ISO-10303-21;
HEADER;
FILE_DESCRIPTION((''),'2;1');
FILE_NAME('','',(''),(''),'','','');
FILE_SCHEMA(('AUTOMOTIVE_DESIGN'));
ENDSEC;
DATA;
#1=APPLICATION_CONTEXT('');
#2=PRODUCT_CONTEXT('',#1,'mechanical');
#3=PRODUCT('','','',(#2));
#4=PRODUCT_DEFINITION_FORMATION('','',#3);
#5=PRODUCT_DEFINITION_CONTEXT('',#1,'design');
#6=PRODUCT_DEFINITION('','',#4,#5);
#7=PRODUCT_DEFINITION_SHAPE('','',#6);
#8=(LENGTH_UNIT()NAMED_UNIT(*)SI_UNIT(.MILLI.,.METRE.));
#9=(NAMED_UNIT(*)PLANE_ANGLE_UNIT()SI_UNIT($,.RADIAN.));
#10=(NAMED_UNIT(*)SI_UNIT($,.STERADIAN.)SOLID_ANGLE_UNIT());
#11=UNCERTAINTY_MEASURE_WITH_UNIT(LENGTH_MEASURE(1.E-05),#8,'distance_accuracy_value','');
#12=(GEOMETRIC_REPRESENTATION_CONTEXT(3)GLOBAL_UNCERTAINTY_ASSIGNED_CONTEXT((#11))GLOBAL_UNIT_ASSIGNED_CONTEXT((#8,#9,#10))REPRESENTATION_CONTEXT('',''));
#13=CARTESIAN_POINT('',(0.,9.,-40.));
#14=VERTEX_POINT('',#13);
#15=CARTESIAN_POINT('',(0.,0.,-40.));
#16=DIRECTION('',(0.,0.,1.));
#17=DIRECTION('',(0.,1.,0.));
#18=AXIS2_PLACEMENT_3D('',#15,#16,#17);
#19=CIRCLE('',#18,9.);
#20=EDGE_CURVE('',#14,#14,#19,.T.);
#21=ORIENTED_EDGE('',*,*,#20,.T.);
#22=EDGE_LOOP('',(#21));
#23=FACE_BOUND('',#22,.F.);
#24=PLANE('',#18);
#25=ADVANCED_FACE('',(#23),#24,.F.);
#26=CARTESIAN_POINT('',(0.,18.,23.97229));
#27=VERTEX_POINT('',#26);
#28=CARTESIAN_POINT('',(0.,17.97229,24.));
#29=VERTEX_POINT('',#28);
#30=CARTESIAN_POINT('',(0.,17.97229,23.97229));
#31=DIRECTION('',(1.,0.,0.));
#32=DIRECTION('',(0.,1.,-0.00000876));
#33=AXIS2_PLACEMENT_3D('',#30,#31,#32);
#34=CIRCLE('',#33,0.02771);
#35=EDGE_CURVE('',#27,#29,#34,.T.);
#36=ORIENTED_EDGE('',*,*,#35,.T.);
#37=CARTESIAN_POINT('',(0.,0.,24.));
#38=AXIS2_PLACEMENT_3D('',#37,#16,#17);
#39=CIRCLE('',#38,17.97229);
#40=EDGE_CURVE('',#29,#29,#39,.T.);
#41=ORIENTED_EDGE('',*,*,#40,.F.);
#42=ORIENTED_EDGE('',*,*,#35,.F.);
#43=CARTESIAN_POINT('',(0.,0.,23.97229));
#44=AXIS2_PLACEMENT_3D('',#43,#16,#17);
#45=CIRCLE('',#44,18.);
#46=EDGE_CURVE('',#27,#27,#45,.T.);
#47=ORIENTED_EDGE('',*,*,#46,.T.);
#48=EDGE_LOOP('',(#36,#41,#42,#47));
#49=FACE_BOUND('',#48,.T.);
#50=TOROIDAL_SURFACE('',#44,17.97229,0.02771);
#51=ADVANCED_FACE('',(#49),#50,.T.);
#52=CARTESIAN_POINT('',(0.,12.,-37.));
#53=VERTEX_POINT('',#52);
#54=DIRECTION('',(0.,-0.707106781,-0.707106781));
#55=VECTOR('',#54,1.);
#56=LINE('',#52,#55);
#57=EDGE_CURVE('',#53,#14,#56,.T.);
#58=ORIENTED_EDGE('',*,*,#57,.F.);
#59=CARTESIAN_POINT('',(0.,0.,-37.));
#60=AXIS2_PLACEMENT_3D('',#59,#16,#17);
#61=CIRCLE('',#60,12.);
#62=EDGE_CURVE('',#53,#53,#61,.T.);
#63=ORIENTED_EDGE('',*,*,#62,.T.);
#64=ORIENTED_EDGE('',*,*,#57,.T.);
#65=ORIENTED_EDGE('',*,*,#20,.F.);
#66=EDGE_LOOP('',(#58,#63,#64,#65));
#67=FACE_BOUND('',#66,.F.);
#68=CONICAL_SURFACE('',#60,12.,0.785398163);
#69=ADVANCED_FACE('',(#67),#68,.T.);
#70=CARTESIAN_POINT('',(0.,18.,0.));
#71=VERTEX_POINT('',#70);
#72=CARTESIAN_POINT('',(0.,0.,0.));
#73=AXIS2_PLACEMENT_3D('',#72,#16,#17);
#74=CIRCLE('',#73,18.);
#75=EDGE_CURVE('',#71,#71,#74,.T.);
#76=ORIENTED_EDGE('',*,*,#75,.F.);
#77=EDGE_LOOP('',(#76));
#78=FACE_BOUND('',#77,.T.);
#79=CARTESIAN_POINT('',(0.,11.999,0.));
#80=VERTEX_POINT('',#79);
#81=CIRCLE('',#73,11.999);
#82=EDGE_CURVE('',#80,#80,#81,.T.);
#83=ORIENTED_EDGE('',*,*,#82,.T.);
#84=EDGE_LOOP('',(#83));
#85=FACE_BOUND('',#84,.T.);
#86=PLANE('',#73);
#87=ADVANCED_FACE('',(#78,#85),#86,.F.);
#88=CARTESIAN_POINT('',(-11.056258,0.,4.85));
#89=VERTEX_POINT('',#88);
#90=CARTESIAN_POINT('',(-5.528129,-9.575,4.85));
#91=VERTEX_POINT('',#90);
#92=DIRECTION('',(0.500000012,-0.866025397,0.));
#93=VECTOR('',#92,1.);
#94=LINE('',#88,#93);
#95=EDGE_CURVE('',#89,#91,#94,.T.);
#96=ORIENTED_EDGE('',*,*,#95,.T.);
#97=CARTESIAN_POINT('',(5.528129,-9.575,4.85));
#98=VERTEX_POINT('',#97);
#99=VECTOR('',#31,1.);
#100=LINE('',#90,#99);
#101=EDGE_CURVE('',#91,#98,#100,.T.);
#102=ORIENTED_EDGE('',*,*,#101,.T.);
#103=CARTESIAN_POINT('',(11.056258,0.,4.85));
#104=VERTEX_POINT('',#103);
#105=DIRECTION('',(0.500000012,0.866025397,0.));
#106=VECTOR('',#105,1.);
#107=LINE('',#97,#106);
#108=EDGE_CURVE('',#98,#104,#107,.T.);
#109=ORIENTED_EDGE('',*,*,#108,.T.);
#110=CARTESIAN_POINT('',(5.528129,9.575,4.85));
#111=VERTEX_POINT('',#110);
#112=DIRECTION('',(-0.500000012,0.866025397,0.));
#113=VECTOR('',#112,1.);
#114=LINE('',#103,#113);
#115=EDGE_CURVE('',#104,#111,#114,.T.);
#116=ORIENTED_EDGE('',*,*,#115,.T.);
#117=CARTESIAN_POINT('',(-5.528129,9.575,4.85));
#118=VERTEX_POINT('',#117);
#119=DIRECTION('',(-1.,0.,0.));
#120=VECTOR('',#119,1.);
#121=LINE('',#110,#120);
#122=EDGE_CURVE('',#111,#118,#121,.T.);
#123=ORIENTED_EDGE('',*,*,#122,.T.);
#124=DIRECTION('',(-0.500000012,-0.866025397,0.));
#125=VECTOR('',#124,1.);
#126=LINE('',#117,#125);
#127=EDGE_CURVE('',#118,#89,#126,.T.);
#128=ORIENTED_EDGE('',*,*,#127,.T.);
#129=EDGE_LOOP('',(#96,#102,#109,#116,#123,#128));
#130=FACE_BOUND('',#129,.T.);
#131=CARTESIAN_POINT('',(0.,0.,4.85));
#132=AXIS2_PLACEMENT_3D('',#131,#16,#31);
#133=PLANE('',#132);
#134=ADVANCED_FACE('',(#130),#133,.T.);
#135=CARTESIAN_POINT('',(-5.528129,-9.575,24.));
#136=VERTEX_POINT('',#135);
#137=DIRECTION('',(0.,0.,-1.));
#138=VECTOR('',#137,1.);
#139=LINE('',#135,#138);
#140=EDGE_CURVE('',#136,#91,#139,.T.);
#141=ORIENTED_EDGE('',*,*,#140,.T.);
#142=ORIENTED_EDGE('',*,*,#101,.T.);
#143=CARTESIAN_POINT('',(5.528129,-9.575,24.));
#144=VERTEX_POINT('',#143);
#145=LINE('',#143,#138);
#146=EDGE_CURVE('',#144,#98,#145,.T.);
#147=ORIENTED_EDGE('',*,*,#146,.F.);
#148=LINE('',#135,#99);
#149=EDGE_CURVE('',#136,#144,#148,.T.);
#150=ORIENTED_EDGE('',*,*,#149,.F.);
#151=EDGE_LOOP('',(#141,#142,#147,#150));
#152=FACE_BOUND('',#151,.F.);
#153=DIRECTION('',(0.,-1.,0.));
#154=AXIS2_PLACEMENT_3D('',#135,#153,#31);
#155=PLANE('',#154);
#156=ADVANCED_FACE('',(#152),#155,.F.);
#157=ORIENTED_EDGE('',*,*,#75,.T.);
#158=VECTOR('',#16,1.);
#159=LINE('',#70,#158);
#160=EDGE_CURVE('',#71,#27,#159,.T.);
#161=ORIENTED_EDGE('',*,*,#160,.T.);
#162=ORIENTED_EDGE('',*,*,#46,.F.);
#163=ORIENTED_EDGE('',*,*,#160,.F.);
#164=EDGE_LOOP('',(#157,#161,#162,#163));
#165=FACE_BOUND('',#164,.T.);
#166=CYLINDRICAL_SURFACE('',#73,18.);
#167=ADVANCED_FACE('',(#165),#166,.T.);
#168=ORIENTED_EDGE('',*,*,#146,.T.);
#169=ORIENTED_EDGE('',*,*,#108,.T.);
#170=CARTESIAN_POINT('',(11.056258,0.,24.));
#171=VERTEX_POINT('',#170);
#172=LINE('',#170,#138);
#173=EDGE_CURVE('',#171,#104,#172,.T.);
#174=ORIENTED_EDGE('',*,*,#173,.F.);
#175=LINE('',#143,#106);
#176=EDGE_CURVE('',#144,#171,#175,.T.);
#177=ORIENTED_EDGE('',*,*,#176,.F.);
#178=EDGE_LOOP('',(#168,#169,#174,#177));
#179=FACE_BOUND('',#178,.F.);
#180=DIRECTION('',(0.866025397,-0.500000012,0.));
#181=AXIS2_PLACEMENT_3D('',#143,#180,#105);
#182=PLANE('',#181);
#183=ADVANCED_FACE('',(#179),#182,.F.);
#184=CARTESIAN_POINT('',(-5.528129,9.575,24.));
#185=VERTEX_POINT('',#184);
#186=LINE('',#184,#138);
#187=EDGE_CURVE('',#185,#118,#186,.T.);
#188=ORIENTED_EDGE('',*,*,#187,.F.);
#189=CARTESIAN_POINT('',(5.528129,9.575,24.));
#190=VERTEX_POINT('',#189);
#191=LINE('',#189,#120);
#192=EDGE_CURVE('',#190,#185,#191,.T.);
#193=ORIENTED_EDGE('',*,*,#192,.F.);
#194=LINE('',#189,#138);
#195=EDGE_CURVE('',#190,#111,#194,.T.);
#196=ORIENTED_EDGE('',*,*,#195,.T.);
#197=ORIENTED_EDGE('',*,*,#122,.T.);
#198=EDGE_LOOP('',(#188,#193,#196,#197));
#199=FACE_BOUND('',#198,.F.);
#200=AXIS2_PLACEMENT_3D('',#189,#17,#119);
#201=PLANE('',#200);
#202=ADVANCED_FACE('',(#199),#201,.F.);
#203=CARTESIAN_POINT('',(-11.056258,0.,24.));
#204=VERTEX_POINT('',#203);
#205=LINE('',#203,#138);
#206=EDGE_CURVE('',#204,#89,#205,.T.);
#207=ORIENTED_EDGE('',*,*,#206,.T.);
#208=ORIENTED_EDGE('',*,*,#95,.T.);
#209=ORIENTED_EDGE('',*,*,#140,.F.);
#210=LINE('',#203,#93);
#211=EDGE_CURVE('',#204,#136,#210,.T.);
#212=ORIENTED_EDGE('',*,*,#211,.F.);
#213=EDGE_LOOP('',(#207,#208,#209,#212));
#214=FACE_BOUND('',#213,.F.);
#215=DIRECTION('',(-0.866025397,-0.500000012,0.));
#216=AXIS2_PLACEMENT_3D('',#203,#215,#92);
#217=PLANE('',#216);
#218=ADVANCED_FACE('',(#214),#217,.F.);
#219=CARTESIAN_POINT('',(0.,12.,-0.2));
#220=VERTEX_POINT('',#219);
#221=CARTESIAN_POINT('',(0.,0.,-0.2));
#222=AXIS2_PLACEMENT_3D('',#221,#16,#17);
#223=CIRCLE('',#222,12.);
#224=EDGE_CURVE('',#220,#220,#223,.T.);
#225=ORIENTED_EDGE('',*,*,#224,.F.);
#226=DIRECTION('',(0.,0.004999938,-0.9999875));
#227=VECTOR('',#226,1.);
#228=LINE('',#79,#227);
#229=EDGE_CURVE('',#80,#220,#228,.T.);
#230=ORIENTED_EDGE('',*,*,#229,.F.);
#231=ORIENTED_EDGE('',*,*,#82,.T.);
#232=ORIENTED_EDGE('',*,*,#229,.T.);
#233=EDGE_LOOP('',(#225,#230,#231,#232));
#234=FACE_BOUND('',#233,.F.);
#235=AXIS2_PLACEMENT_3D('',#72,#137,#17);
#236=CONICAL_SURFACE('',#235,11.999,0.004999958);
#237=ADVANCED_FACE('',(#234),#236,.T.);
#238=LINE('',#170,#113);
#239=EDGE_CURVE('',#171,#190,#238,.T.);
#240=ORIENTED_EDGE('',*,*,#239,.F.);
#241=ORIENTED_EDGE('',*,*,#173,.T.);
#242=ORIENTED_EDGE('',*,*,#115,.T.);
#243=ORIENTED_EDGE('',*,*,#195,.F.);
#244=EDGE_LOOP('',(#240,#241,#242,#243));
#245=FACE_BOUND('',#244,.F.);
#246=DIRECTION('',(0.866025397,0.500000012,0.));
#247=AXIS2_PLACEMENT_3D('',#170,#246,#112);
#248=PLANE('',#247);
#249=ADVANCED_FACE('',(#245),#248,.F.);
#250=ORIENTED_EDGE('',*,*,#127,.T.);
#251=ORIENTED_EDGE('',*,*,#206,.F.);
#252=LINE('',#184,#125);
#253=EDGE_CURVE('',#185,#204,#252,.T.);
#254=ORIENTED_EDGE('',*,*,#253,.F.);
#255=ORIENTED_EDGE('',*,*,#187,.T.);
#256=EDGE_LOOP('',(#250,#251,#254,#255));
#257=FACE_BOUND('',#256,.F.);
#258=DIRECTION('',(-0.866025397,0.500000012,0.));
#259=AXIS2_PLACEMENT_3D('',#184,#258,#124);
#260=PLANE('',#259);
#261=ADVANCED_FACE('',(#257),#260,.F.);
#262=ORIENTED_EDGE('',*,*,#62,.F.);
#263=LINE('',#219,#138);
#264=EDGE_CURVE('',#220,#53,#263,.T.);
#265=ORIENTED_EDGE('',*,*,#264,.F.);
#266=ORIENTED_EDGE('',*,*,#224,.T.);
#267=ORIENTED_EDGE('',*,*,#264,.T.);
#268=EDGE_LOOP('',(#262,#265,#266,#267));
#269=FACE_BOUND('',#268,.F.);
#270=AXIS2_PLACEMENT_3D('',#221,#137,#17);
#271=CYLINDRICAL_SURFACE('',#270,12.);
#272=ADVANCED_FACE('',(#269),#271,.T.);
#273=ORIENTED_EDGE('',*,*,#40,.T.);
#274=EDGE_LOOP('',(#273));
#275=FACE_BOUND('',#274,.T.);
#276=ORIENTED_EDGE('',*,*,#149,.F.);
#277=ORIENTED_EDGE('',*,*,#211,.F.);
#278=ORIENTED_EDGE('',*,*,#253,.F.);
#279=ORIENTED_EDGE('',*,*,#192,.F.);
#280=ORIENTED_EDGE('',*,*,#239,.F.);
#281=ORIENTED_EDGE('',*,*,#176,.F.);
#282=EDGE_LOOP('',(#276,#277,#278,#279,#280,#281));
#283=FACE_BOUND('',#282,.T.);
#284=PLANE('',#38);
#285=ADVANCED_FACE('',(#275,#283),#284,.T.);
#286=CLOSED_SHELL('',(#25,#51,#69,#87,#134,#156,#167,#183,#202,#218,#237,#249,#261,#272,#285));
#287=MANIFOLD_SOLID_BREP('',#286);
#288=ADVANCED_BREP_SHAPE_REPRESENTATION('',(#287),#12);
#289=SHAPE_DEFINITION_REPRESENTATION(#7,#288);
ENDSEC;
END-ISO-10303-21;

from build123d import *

# Parameters (mm, degrees)
POCKET_DEPTH = 19.15


with BuildPart() as part:
    # Sketch → Revolve (revolve)
    with BuildSketch(Plane.YZ):
        with BuildLine():
            Line((11.999, 0), (18, 0))
            Line((18, 0), (18, 23.97229))
            ThreePointArc((18, 23.97229), (17.991884, 23.991884), (17.97229, 24))
            Line((17.97229, 24), (0, 24))
            Line((0, -40), (0, 24))
            Line((9, -40), (0, -40))
            Line((12, -37), (9, -40))
            Line((12, -0.2), (12, -37))
            Line((11.999, 0), (12, -0.2))
        make_face()
    revolve(axis=Axis((0, 0, 0), (0, 0, 1)))

    # Sketch001 → Pocket (cut)
    with BuildSketch(Plane.XY.offset(24)):
        Polygon((11.056258, 0), (5.528129, 9.575), (-5.528129, 9.575), (-11.056258, 0), (-5.528129, -9.575), (5.528129, -9.575), align=None)
    extrude(amount=-POCKET_DEPTH, mode=Mode.SUBTRACT)


solid = part.part
